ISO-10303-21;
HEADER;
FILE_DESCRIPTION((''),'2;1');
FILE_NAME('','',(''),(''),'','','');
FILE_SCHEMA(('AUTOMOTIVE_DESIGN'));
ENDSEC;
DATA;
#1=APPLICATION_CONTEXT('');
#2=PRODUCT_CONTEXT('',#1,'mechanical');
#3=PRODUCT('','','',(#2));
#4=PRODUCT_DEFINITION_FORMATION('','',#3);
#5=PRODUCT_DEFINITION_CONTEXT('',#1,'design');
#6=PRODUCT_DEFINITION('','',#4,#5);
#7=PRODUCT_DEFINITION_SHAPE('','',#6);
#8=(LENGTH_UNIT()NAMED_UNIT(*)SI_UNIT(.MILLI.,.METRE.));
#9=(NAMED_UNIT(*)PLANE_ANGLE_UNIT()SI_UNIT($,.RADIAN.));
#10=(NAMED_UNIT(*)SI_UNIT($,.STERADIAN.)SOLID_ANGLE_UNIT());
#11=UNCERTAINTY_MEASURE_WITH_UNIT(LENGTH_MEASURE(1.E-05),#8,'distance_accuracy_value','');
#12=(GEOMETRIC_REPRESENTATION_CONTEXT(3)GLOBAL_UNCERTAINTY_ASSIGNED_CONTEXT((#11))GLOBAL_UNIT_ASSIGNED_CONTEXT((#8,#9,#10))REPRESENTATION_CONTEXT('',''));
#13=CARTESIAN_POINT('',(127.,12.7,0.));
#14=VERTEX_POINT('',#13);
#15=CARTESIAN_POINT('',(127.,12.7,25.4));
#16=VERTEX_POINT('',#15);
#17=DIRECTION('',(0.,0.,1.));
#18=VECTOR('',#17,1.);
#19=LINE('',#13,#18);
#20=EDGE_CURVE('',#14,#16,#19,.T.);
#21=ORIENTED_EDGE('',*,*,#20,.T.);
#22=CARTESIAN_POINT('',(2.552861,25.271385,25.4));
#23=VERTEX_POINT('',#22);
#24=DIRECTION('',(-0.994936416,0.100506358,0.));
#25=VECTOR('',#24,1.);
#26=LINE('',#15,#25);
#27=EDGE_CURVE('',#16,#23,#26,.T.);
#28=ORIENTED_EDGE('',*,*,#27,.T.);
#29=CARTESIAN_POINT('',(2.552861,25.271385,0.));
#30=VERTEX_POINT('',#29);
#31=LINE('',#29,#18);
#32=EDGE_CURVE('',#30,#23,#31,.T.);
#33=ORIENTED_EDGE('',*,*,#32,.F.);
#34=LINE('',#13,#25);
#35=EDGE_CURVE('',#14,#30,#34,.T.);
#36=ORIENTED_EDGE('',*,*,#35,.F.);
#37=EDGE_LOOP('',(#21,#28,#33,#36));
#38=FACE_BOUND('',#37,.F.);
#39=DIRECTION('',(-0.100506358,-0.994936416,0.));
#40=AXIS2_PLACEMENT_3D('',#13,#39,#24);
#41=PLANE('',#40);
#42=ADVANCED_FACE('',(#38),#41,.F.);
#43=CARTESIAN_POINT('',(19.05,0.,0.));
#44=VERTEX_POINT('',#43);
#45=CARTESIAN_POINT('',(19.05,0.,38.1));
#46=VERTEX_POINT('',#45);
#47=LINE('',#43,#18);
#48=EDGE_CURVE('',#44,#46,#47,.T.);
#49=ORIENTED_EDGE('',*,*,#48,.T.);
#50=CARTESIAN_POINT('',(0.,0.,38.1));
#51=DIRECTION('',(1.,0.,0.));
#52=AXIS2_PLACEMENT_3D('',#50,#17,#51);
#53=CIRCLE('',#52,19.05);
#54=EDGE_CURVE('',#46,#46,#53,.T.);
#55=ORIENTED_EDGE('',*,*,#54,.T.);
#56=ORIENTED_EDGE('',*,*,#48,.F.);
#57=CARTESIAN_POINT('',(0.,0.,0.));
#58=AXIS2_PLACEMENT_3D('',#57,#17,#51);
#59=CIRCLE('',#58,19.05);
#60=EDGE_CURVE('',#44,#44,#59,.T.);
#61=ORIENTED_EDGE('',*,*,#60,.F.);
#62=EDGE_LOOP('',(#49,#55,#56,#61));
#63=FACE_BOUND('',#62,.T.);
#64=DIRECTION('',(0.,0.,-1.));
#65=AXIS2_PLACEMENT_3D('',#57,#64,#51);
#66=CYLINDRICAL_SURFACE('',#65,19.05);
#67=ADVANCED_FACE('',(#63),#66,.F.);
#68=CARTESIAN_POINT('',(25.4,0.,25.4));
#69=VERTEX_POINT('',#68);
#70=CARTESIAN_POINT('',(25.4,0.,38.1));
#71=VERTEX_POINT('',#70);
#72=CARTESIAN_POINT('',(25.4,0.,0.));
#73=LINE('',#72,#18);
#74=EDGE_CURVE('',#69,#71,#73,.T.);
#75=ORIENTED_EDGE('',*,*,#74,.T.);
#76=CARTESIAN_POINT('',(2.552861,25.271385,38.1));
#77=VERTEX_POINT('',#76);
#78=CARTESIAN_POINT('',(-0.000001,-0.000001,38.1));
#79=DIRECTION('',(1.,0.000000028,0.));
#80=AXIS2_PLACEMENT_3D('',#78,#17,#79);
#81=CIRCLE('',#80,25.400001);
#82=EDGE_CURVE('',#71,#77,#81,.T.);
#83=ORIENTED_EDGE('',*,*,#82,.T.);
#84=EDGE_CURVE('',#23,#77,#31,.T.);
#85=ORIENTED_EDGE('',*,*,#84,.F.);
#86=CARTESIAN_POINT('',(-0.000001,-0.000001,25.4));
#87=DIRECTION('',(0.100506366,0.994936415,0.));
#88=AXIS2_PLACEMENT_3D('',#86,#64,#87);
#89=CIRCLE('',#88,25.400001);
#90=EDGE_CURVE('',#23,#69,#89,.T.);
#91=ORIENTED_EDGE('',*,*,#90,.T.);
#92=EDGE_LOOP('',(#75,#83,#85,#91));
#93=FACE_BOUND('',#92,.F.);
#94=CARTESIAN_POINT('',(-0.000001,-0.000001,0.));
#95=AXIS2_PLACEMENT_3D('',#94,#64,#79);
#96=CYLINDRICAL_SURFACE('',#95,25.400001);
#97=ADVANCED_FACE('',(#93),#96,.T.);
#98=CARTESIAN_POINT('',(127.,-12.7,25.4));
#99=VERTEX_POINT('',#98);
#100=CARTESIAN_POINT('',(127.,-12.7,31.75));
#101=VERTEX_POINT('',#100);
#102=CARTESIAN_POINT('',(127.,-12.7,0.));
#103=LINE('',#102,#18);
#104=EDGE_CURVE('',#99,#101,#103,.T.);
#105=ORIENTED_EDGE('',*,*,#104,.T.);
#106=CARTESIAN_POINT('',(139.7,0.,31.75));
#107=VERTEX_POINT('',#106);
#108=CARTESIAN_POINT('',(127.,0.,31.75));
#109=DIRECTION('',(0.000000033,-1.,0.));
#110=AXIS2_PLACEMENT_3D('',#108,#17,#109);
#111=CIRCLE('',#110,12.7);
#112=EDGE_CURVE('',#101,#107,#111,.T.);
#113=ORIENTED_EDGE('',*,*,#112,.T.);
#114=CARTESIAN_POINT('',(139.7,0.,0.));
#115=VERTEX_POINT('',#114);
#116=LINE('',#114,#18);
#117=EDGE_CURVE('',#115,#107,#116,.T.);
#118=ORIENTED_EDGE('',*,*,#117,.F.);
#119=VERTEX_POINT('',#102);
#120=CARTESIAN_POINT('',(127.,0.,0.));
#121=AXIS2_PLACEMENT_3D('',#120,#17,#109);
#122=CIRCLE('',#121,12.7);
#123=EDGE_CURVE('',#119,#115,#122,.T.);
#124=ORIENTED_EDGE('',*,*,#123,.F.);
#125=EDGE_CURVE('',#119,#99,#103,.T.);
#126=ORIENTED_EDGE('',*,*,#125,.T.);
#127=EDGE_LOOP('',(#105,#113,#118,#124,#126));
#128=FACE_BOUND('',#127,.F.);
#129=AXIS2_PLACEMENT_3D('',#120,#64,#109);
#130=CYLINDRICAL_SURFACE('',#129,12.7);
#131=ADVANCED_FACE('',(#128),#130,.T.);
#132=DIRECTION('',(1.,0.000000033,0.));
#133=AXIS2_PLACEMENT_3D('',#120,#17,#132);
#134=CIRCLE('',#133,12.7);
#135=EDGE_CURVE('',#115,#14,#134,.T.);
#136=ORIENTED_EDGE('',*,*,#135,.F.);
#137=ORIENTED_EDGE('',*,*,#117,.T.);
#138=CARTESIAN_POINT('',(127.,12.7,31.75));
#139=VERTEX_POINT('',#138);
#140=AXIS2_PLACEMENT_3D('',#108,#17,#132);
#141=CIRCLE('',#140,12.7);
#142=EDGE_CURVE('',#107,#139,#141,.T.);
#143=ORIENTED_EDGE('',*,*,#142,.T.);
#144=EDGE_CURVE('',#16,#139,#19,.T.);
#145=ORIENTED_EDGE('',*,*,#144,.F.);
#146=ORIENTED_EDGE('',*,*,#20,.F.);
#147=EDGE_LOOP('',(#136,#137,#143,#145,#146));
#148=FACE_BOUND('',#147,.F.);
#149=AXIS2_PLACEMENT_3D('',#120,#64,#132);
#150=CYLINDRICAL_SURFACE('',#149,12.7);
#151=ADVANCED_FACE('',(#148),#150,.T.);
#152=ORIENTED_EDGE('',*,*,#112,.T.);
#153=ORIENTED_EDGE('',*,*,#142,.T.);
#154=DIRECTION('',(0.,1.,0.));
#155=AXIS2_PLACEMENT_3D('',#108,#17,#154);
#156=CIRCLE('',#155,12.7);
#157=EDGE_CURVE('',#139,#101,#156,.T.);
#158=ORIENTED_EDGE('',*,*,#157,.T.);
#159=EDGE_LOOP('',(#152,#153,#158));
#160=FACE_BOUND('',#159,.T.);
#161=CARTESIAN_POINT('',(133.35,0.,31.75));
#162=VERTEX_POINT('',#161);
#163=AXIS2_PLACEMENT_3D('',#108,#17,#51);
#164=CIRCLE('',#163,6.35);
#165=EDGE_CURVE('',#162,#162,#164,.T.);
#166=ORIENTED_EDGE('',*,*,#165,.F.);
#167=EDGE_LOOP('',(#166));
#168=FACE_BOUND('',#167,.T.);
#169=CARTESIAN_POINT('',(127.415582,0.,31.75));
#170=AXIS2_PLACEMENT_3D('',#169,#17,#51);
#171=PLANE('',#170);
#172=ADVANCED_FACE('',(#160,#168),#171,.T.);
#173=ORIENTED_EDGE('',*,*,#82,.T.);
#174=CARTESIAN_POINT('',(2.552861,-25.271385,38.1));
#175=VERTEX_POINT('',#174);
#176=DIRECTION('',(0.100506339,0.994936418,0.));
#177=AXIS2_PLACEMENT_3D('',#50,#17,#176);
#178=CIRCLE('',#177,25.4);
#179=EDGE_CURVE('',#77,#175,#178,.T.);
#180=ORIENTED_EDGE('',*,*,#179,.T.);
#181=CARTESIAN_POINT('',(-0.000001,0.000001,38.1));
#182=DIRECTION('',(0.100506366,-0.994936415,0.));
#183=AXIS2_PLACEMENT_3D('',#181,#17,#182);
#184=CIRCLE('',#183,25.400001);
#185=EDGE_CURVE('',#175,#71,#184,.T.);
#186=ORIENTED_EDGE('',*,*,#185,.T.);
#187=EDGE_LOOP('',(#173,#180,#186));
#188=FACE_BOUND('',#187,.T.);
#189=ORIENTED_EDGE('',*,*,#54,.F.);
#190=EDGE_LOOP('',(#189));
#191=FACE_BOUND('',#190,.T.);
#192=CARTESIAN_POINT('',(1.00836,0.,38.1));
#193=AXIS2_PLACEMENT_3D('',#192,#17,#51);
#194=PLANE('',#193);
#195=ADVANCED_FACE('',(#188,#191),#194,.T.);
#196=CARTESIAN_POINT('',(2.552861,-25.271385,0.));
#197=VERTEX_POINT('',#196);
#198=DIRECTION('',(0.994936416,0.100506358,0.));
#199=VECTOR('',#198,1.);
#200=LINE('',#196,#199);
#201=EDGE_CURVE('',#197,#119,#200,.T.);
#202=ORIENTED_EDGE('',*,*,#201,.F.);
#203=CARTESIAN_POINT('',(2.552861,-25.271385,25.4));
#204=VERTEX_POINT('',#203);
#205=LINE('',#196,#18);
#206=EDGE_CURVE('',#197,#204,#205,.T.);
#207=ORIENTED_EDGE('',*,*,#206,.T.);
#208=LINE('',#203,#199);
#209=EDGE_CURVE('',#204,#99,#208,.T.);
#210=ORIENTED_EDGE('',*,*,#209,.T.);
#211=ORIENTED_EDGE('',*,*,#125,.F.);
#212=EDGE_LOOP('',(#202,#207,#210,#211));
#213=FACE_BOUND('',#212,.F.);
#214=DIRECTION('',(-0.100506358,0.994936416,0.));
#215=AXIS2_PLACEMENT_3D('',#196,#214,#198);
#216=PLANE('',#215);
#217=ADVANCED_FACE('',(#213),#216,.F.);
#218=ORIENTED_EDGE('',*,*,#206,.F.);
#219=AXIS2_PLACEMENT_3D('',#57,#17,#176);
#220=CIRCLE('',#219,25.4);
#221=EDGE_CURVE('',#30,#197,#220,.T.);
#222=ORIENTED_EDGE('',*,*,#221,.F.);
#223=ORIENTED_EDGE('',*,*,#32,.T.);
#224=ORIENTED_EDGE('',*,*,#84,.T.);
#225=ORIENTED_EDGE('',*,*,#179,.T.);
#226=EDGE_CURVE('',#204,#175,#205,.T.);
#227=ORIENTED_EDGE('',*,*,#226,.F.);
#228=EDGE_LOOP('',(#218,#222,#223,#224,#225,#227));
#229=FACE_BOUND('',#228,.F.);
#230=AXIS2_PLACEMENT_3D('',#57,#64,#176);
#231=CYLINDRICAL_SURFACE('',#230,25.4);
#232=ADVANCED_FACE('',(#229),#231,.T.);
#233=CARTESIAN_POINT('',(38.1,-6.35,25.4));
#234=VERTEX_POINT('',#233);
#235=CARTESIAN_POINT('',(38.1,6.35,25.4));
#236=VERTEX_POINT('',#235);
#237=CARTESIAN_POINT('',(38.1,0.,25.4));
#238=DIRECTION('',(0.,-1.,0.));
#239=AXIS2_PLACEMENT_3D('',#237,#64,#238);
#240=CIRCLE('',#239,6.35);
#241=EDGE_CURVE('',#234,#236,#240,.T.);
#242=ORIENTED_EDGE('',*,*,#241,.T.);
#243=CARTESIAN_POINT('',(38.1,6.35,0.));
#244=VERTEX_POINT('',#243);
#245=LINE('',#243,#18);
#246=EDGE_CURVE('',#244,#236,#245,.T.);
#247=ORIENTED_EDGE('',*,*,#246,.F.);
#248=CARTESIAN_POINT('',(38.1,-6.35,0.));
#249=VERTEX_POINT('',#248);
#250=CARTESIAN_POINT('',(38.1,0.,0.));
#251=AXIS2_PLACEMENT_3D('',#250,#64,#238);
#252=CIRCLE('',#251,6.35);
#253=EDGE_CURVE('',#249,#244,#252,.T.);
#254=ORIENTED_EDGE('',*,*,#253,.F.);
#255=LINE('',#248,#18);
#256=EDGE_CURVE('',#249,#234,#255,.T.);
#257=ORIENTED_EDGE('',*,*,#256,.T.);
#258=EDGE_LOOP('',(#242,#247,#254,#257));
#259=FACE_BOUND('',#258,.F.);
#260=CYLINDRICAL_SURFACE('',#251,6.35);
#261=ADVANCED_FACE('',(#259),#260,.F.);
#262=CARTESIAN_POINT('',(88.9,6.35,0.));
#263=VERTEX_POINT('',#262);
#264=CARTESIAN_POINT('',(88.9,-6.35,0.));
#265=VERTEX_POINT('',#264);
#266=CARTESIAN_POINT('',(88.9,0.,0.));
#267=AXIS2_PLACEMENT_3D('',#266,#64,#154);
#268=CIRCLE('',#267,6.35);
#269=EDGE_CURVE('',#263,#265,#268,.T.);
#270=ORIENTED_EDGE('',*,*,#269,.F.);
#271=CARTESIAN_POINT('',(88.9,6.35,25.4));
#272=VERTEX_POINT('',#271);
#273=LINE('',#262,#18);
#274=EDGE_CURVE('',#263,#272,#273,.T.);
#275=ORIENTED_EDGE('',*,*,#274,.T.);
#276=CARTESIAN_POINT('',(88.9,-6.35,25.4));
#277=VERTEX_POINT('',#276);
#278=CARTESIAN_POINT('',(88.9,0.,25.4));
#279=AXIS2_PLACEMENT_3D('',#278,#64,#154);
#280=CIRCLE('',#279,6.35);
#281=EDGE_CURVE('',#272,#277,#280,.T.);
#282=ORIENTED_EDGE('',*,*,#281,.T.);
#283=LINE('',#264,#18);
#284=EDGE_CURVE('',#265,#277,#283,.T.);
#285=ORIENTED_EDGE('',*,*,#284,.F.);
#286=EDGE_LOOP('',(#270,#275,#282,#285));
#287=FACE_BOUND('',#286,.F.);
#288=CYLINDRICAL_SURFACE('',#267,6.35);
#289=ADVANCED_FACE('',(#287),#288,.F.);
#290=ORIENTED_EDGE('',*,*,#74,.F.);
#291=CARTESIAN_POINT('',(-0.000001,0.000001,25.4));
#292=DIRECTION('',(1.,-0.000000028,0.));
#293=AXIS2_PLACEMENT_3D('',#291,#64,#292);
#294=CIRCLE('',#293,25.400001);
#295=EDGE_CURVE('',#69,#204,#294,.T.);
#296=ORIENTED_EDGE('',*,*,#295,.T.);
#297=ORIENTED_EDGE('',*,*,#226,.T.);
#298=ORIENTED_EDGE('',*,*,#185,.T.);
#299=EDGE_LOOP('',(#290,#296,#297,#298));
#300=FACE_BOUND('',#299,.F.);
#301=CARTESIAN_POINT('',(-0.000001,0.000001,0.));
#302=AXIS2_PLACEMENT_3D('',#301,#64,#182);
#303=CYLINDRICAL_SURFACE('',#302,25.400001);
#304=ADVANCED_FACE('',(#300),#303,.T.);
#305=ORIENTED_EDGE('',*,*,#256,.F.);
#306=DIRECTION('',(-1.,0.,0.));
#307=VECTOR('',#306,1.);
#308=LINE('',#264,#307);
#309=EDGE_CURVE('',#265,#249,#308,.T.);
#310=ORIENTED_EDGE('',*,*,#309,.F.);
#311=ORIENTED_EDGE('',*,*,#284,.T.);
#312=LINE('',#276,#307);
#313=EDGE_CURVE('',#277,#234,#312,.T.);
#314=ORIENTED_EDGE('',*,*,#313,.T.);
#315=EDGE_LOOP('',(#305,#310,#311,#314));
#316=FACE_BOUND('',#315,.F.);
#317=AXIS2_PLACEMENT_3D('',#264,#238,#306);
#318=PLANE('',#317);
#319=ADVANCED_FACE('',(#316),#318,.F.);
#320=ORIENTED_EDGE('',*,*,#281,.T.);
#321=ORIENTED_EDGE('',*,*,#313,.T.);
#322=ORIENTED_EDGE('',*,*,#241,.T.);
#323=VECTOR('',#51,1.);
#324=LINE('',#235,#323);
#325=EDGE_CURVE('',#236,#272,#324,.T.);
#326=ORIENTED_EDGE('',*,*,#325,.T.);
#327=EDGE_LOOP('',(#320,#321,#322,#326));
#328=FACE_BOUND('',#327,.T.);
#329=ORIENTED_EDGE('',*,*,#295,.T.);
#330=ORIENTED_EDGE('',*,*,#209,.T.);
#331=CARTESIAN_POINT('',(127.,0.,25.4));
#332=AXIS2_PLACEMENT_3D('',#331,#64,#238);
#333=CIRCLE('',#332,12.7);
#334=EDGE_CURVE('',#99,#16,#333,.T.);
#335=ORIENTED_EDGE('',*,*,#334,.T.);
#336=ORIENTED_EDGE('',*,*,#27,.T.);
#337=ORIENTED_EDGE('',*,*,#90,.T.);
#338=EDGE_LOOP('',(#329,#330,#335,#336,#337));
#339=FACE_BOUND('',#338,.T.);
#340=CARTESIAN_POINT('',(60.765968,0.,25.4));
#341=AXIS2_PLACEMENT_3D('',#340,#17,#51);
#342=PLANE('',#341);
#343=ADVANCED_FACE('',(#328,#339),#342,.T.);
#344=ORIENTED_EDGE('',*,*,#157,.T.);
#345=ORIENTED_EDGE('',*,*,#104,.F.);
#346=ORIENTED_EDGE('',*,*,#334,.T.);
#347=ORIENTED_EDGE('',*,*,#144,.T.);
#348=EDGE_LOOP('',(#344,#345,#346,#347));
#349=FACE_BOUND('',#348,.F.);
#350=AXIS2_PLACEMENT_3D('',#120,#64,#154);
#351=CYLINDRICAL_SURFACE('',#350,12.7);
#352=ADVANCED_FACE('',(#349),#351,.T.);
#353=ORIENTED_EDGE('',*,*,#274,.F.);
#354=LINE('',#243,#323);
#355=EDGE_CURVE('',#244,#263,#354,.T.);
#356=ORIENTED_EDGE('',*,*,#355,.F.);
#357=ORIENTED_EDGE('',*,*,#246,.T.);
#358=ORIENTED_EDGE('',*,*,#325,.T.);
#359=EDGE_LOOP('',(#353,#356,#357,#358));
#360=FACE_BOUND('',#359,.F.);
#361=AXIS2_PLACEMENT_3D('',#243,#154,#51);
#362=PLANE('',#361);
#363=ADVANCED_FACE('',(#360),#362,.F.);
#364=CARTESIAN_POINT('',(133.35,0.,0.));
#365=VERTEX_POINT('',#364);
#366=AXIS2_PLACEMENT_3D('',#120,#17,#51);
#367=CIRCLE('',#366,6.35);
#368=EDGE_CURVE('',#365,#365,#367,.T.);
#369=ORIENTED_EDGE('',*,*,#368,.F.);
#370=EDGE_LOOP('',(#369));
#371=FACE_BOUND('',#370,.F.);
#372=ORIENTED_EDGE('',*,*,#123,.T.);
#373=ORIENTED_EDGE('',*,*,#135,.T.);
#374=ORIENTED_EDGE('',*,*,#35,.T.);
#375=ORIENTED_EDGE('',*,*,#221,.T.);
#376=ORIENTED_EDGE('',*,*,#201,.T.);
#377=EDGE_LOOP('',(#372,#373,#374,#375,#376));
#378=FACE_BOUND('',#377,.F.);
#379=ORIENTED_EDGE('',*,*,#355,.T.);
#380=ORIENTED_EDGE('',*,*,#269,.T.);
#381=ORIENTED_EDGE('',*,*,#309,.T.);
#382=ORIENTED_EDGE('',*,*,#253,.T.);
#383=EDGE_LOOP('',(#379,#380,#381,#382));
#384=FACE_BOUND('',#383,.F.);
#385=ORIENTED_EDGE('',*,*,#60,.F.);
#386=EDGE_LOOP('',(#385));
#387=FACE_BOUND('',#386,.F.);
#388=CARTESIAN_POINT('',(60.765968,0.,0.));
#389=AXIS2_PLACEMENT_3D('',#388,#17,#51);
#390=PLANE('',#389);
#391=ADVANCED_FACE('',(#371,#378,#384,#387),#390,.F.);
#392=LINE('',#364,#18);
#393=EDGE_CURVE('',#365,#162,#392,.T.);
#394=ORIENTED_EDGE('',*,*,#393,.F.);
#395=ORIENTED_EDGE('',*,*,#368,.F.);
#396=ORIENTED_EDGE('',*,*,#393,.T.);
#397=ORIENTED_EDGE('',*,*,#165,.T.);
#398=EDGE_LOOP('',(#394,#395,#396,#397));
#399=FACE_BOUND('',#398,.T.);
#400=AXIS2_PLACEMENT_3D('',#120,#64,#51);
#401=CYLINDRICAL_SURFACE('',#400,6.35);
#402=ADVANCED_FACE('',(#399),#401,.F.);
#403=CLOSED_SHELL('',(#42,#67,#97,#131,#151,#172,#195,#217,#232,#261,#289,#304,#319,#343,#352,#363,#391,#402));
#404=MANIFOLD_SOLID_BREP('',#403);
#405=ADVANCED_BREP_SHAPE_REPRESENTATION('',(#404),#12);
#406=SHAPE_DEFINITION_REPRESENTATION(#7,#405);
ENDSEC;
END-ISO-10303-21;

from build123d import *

# Parameters (mm, degrees)
F0_R     = 19.05
F1_DEPTH = 38.1
F0_R_2   = 6.35
F2_DEPTH = 31.75
F3_DEPTH = 25.4


with BuildPart() as f1:
    # F0 (on Top) → F1 (new body)
    with BuildSketch(Plane.XY):
        with BuildLine():
            ThreePointArc((2.552861, -25.271385), (18.841479, -17.034044), (25.4, 0))
            ThreePointArc((25.4, 0), (18.841479, 17.034044), (2.552861, 25.271385))
            ThreePointArc((2.552861, 25.271385), (-25.4, 0), (2.552861, -25.271385))
        make_face()
        Circle(F0_R, mode=Mode.SUBTRACT)
    extrude(amount=F1_DEPTH)



with BuildPart() as f2:
    # F0 (on Top) → F2 (new body)
    with BuildSketch(Plane.XY):
        with BuildLine():
            ThreePointArc((139.7, 0), (135.980256, 8.980256), (127, 12.7))
            ThreePointArc((127, 12.7), (114.3, 0), (127, -12.7))
            ThreePointArc((127, -12.7), (135.980256, -8.980256), (139.7, 0))
        make_face()
        with Locations((127, 0)):
            Circle(F0_R_2, mode=Mode.SUBTRACT)
    extrude(amount=F2_DEPTH)


with BuildPart() as f1_1:
    add(f1.part)

    add(f2.part)  # F3 merges F2
    # F0 (on Top) → F3 (join)
    with BuildSketch(Plane.XY):
        with BuildLine():
            ThreePointArc((2.552861, 25.271385), (18.841479, 17.034044), (25.4, 0))
            ThreePointArc((25.4, 0), (18.841479, -17.034044), (2.552861, -25.271385))
            Line((2.552861, -25.271385), (127, -12.7))
            ThreePointArc((127, -12.7), (114.3, 0), (127, 12.7))
            Line((127, 12.7), (2.552861, 25.271385))
        make_face()
        with BuildLine():
            ThreePointArc((88.9, 6.35), (95.25, 0), (88.9, -6.35))
            Line((88.9, -6.35), (38.1, -6.35))
            ThreePointArc((38.1, -6.35), (31.75, 0), (38.1, 6.35))
            Line((38.1, 6.35), (88.9, 6.35))
        make_face(mode=Mode.SUBTRACT)
    extrude(amount=F3_DEPTH)


solid = f1_1.part
